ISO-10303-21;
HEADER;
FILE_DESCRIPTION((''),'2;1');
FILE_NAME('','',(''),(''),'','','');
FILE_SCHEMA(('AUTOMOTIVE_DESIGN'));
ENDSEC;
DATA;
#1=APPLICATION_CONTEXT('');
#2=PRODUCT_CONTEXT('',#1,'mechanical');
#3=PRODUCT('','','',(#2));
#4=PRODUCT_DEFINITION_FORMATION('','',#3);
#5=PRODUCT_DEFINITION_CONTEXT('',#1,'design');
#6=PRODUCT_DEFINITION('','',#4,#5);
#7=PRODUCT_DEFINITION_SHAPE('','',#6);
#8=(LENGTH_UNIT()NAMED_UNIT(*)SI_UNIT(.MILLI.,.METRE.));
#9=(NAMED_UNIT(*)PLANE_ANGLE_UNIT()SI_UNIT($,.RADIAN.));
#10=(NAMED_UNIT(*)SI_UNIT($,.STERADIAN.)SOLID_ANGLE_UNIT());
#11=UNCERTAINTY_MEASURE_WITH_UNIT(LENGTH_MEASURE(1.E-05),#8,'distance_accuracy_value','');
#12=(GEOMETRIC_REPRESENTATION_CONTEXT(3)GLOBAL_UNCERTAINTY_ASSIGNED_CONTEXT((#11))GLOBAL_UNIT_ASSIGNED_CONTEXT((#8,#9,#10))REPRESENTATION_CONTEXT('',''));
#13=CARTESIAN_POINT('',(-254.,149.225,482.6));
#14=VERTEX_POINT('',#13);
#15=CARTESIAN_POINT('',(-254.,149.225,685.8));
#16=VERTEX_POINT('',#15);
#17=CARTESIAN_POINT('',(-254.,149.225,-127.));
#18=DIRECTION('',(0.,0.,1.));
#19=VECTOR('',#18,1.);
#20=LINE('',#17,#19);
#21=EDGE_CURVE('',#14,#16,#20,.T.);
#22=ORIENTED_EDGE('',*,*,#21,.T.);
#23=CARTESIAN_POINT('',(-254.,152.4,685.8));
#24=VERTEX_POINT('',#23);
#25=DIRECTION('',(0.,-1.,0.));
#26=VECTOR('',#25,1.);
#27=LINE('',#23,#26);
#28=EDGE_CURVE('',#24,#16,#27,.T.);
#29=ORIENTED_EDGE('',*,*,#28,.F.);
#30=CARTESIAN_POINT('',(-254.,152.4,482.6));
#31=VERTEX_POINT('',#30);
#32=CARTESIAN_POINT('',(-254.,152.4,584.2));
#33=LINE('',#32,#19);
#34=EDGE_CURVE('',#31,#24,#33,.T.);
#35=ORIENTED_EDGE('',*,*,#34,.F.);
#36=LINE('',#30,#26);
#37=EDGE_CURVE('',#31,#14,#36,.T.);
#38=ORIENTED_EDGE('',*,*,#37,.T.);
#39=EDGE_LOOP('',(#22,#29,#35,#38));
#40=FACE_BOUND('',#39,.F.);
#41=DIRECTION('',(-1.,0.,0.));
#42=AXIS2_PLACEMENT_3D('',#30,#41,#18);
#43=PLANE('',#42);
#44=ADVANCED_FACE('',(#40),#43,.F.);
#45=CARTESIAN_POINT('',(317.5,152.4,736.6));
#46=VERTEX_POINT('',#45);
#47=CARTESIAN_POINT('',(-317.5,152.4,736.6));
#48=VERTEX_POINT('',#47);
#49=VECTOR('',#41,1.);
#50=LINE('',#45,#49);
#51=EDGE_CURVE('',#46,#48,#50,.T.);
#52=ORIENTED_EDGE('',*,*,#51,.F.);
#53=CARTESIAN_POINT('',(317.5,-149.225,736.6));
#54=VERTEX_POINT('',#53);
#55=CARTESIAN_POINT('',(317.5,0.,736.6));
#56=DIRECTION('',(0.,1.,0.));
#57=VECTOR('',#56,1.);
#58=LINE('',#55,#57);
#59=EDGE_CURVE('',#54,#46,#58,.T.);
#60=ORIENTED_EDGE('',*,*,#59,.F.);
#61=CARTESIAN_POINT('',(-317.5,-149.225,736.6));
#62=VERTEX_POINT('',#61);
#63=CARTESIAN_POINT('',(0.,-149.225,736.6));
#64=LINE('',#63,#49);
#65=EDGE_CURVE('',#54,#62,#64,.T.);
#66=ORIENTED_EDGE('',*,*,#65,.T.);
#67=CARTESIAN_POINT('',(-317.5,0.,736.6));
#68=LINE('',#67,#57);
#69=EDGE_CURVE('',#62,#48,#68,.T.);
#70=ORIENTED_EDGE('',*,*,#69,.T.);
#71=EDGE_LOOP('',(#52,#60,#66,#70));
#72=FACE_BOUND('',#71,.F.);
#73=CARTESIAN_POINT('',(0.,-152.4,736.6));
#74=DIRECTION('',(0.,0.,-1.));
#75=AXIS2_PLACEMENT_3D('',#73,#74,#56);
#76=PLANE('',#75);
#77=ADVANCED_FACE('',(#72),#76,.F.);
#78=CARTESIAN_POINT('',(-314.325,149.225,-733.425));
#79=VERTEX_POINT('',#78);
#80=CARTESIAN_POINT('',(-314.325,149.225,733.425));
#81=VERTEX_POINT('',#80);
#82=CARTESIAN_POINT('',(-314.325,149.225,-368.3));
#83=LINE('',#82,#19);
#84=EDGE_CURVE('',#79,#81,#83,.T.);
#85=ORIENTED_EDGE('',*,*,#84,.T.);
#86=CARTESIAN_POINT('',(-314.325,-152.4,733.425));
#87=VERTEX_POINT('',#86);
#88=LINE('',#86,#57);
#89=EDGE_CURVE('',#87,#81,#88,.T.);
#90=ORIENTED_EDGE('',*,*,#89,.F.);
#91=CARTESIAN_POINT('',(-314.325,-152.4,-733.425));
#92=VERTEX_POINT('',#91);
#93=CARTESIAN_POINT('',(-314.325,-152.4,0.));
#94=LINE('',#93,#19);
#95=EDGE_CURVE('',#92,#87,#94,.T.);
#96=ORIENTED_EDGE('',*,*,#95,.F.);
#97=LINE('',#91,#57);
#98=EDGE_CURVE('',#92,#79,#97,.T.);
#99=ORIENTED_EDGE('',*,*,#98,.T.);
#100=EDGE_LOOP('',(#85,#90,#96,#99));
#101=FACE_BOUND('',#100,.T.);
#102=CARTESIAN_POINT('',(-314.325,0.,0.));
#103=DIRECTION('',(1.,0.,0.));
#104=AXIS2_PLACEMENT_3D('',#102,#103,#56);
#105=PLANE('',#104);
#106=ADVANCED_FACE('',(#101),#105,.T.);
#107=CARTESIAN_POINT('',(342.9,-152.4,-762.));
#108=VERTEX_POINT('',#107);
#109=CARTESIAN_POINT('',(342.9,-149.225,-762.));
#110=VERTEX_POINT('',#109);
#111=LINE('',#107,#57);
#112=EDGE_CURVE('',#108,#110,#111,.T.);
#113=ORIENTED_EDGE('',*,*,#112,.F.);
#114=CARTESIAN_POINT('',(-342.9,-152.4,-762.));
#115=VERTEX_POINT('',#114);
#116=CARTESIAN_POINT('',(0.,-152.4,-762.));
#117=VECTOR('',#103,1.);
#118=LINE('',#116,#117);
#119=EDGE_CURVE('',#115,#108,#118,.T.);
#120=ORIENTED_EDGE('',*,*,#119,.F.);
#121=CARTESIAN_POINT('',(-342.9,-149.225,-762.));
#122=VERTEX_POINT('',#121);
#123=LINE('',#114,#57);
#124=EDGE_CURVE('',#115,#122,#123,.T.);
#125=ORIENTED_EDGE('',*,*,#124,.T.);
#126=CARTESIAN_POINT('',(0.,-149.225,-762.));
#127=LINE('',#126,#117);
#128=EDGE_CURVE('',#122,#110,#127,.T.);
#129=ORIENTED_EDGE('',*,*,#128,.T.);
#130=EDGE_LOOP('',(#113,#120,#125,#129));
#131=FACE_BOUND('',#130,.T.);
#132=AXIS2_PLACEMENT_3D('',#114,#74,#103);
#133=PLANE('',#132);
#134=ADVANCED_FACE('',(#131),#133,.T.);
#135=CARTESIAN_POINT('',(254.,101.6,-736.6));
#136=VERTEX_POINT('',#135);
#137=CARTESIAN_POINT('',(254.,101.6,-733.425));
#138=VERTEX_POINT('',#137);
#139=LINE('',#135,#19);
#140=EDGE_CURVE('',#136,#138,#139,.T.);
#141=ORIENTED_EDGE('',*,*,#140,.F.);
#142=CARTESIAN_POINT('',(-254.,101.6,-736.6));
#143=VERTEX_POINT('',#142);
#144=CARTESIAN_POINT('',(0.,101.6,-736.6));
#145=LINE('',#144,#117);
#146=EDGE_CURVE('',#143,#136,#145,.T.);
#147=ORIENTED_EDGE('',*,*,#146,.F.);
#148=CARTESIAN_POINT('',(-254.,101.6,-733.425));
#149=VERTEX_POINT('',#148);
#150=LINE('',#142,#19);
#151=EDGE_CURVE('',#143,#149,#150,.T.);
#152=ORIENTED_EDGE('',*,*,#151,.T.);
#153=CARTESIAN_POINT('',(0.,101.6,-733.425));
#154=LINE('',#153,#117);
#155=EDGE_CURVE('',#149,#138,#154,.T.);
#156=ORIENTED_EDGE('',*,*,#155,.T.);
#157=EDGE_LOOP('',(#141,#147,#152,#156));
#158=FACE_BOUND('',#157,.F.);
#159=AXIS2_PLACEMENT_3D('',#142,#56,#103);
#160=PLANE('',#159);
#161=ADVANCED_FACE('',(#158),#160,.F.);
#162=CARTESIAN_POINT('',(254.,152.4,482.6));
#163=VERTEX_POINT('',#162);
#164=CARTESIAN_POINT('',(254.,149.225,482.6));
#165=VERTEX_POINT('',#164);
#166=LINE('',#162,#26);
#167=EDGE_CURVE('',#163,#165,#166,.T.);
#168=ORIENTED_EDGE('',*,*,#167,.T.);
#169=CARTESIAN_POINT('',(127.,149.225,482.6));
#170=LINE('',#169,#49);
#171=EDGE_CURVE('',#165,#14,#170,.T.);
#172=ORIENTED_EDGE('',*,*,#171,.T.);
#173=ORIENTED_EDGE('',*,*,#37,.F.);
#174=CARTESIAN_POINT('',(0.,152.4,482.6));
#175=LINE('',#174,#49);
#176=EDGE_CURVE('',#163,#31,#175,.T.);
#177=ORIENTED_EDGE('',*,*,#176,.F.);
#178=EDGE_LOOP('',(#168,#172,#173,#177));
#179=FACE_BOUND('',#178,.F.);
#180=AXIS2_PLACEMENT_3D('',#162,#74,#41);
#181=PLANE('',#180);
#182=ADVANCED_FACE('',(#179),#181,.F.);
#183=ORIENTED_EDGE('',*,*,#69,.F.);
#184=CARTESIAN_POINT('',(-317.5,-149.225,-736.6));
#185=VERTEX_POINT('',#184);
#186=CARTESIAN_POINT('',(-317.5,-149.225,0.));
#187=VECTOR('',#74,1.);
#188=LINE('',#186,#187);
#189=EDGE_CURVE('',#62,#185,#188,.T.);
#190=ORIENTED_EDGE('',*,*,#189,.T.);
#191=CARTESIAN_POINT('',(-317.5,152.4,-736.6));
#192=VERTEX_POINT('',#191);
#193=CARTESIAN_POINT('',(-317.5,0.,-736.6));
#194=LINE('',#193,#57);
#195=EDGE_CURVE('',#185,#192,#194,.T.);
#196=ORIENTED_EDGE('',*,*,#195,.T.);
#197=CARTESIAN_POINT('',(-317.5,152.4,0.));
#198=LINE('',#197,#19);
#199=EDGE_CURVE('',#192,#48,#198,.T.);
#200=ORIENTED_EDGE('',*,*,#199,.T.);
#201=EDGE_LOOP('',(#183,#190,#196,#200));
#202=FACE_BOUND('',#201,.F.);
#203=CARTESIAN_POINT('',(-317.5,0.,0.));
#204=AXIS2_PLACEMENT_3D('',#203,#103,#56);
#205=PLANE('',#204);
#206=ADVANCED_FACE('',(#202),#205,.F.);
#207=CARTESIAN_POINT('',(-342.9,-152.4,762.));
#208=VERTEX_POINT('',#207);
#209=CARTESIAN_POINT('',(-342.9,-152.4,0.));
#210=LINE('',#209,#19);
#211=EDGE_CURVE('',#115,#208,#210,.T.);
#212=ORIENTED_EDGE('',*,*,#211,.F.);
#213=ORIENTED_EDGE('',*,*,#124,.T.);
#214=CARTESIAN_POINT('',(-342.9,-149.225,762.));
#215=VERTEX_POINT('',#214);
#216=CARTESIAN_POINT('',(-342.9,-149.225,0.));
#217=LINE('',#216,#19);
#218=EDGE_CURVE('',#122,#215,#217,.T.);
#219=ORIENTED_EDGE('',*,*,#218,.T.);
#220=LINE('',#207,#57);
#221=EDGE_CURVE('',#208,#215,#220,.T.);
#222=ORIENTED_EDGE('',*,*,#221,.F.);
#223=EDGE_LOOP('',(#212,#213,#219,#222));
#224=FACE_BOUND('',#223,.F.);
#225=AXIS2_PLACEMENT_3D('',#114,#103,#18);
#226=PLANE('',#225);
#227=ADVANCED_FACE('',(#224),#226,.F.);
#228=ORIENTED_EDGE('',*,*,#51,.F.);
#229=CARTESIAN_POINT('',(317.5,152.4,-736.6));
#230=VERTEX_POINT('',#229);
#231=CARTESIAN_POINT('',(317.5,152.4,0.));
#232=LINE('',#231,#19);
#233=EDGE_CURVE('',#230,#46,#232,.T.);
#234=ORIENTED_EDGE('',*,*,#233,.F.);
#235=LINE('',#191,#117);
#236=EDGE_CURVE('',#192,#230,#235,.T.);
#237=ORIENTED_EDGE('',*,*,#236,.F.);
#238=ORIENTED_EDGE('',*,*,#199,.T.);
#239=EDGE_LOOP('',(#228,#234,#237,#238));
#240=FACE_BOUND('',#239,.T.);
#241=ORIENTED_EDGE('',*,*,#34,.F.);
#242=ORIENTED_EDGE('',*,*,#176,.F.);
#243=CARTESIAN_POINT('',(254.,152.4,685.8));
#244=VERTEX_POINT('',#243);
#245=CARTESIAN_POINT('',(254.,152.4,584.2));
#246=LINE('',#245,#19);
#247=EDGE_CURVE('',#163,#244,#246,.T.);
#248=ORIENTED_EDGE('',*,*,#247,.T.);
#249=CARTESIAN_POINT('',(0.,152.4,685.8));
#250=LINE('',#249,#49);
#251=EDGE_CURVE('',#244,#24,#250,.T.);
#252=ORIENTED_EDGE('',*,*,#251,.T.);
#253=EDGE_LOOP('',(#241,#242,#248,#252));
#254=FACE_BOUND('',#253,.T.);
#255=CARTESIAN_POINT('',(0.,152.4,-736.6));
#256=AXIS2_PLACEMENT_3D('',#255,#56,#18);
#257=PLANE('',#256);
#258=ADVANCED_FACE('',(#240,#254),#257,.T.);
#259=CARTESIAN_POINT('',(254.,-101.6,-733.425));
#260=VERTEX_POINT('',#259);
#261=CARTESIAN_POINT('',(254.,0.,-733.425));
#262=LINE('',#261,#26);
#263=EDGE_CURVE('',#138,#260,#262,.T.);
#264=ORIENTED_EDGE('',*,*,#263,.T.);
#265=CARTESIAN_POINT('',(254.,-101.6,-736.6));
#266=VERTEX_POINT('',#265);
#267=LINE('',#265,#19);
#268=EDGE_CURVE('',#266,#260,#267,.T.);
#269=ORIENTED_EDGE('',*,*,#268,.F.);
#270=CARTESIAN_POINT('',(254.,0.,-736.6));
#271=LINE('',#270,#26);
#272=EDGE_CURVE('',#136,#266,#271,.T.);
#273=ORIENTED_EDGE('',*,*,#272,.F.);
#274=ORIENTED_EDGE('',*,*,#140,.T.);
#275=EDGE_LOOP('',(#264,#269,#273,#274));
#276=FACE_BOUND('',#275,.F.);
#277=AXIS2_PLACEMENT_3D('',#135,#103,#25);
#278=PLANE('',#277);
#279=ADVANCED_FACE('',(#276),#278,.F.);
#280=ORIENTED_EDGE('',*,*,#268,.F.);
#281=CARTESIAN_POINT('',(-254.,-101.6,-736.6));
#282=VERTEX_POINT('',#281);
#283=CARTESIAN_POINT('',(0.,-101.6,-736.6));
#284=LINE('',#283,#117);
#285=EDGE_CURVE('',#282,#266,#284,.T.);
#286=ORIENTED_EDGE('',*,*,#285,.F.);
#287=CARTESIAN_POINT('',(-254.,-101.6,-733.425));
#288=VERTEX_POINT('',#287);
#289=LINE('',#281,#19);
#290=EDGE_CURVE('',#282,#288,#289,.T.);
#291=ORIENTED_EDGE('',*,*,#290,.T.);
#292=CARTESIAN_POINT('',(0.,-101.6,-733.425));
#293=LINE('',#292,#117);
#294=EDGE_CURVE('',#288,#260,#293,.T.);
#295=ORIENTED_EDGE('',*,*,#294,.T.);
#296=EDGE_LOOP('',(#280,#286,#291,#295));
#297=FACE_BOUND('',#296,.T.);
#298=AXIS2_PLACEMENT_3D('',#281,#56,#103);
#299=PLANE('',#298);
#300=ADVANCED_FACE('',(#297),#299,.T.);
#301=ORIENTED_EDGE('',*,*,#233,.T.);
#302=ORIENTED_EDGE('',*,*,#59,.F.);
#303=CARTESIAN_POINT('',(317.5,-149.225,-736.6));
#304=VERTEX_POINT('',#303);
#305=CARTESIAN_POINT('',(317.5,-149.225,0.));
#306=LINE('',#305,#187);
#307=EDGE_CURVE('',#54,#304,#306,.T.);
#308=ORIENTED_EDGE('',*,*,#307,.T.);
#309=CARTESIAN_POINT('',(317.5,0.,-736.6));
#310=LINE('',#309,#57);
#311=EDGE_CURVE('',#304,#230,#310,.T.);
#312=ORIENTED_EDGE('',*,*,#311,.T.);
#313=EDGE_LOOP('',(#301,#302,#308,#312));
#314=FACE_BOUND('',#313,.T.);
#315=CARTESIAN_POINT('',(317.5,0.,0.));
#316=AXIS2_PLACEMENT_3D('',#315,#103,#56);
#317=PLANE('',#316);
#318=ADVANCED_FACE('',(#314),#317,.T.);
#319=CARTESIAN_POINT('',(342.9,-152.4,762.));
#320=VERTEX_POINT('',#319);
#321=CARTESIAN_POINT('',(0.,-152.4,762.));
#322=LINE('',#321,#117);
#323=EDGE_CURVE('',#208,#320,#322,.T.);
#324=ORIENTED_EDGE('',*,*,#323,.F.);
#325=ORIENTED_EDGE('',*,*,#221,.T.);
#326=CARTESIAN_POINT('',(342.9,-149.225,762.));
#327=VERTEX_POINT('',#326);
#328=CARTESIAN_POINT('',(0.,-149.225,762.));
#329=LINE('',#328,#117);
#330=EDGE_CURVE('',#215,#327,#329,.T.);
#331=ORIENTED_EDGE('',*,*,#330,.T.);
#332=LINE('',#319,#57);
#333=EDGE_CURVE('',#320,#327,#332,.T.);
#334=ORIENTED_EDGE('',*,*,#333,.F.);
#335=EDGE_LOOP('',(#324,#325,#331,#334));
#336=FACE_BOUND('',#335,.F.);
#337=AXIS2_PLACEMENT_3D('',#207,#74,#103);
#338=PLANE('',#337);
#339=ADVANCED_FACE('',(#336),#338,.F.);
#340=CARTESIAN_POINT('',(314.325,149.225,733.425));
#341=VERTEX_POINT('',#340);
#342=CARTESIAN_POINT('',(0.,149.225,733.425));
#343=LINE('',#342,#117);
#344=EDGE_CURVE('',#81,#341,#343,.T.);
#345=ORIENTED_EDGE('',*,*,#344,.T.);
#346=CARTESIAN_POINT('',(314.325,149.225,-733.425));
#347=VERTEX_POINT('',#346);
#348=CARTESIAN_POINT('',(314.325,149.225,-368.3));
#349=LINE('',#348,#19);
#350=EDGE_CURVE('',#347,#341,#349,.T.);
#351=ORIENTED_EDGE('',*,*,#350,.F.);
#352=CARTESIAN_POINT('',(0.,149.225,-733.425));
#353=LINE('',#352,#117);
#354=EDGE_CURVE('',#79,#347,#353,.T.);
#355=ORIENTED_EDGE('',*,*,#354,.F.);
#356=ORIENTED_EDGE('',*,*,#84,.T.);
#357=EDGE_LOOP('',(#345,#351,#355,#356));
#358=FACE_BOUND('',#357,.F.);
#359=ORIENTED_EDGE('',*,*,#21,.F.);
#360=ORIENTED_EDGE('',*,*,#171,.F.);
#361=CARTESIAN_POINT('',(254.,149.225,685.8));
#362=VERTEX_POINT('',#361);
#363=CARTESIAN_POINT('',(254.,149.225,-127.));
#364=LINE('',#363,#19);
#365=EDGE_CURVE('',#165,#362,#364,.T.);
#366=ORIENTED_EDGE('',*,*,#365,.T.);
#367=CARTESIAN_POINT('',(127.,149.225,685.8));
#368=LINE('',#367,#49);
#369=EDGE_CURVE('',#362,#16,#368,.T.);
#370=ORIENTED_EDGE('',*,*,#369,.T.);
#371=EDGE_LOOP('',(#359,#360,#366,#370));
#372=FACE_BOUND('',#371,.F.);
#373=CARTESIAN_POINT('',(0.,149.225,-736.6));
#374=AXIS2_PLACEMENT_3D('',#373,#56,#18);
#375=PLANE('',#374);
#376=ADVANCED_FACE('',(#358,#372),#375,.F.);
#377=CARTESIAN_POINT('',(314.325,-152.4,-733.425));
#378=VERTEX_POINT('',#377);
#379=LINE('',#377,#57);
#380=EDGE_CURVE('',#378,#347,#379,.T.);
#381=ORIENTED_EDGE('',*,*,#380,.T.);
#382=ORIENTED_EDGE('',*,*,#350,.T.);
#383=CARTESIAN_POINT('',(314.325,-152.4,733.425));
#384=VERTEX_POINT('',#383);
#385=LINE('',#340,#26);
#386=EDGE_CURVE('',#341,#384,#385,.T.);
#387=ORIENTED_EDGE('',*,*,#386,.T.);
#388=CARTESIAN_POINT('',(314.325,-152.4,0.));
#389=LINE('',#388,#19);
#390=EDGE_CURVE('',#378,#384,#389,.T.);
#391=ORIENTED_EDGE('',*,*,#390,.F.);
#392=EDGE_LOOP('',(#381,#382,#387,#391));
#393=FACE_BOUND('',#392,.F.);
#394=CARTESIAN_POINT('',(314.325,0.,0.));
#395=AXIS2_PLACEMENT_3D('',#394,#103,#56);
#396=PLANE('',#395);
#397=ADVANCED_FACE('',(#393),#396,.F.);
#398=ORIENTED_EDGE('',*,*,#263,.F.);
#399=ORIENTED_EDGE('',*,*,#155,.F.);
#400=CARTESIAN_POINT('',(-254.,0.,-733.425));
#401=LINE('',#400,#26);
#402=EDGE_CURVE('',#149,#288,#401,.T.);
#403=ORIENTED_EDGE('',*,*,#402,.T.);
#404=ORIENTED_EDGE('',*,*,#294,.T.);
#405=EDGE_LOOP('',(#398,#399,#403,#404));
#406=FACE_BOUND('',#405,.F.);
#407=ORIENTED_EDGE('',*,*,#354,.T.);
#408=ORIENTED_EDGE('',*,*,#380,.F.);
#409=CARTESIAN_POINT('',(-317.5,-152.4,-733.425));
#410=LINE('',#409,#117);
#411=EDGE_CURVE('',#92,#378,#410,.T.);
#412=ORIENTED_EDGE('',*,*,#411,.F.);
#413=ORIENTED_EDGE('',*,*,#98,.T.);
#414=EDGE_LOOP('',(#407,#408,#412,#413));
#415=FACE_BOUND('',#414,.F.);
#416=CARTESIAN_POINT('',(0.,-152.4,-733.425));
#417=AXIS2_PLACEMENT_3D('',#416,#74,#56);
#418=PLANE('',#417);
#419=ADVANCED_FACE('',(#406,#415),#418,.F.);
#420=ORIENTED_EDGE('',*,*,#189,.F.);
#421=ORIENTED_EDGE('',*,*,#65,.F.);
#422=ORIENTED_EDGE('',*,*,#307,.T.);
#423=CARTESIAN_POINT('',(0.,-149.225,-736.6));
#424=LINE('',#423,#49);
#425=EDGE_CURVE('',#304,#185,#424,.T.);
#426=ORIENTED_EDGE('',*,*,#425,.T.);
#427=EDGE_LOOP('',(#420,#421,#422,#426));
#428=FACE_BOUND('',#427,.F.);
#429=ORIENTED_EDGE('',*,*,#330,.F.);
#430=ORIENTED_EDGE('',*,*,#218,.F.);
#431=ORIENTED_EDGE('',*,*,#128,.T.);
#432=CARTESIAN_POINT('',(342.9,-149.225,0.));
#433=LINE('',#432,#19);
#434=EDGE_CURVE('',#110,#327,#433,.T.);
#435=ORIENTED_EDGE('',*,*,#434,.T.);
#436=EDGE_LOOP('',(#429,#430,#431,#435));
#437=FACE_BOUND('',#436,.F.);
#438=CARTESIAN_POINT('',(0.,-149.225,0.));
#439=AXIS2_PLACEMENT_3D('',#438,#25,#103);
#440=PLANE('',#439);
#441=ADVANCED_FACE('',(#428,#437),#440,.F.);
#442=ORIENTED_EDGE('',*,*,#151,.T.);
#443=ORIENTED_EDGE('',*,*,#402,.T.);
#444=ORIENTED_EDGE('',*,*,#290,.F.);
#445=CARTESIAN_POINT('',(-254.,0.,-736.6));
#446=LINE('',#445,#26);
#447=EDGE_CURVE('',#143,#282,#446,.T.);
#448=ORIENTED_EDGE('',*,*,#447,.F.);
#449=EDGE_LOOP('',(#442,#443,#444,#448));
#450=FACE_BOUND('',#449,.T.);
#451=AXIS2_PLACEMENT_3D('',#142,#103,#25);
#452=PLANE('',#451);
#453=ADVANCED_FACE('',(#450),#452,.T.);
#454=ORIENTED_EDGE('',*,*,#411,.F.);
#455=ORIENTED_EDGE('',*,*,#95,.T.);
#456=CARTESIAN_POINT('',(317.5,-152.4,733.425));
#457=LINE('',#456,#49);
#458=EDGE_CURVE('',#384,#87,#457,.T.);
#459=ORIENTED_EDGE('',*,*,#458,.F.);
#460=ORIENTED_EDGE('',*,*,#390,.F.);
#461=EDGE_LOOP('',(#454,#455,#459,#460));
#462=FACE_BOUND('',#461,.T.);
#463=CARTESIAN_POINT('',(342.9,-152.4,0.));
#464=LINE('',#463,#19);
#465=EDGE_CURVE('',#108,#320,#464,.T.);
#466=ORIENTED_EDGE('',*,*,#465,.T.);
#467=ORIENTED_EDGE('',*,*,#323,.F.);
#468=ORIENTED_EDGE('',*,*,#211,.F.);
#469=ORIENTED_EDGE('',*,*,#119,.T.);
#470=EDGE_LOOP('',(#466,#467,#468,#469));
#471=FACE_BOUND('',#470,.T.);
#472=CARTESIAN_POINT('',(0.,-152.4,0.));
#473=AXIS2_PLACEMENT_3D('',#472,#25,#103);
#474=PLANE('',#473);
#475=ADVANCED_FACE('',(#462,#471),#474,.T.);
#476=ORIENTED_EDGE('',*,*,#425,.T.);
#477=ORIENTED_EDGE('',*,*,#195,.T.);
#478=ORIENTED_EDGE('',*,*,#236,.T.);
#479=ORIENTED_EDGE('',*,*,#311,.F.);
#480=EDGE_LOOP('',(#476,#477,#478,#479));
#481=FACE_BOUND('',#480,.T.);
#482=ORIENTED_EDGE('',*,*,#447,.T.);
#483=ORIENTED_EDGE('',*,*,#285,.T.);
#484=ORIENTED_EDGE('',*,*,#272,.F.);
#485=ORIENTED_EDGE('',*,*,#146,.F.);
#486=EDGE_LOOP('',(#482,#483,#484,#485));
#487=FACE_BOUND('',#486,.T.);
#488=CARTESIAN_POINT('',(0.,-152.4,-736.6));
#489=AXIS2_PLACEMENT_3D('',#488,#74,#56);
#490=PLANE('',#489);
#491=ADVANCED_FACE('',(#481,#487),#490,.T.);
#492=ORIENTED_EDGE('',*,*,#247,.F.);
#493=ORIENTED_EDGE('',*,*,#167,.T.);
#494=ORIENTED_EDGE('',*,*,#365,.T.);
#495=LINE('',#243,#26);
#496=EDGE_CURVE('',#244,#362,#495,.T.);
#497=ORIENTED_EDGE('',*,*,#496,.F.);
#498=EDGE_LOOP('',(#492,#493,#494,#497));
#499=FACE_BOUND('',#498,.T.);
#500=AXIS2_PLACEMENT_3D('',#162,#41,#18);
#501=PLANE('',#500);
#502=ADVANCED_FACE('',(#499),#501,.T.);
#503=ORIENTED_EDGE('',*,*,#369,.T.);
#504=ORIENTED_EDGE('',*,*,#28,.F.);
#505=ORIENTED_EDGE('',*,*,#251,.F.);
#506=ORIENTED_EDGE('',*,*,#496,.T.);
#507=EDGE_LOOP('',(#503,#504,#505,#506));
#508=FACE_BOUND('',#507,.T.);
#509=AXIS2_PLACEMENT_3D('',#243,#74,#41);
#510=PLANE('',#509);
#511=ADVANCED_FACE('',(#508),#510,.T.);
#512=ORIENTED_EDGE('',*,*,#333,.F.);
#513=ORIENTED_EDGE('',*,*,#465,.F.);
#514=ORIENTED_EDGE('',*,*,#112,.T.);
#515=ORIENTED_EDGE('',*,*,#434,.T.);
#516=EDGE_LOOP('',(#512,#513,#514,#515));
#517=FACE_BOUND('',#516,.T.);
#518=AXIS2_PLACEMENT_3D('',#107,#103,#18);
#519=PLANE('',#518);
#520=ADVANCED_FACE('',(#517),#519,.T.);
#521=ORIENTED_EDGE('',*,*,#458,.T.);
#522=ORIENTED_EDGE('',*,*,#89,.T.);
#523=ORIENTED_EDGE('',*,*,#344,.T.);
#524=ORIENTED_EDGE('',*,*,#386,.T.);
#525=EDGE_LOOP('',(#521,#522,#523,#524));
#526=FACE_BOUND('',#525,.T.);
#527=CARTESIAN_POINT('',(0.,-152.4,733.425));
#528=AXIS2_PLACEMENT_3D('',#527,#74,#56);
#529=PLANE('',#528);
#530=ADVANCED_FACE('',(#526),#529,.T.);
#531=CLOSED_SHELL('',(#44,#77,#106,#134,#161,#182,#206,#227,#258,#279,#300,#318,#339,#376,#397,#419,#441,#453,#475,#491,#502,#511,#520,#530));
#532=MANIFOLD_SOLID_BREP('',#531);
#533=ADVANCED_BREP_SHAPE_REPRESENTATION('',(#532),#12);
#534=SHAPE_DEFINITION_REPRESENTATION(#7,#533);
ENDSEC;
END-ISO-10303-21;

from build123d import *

# Parameters (mm, degrees)
F0_W     = 304.8
F0_H     = 1473.2
F1_DEPTH = 317.5
F2_T     = -3.175
F3_W     = 685.8
F3_H     = 1524
F3_W_2   = 628.65
F3_H_2   = 1466.85
F4_DEPTH = 3.175
F5_W     = 508
F5_H     = 203.2
F6_DEPTH = 304.801
F7_W     = 508
F7_H     = 203.2
F8_DEPTH = 3.175


with BuildPart() as f1:
    # F0 (on Right) → F1 (new body, symmetric)
    with BuildSketch(Plane.YZ):
        Rectangle(F0_W, F0_H)
    extrude(amount=F1_DEPTH, both=True)

    # F2
    f2_openings = [f1.faces().sort_by_distance(p)[0] for p in [
        (0, -152.4, 0),
    ]]
    offset(amount=F2_T, openings=f2_openings)

    # F3 (on face) → F4 (join)
    with BuildSketch(Plane.XZ.offset(152.4)):
        Rectangle(F3_W, F3_H)
        Rectangle(F3_W_2, F3_H_2, mode=Mode.SUBTRACT)
    extrude(amount=-F4_DEPTH)

    # F5 (on face) → F6 (cut, through all)
    with BuildSketch(Plane(origin=(0, 152.4, 0), x_dir=(-1, 0, 0), z_dir=(0, 1, 0))):
        with Locations((0, 584.2)):
            Rectangle(F5_W, F5_H)
    extrude(amount=-F6_DEPTH, mode=Mode.SUBTRACT)

    # F7 (on face) → F8 (cut, through all)
    with BuildSketch(Plane(origin=(0, 0, -736.6), x_dir=(1, 0, 0), z_dir=(0, 0, -1))):
        Rectangle(F7_W, F7_H)
    extrude(amount=-F8_DEPTH, mode=Mode.SUBTRACT)


solid = f1.part
